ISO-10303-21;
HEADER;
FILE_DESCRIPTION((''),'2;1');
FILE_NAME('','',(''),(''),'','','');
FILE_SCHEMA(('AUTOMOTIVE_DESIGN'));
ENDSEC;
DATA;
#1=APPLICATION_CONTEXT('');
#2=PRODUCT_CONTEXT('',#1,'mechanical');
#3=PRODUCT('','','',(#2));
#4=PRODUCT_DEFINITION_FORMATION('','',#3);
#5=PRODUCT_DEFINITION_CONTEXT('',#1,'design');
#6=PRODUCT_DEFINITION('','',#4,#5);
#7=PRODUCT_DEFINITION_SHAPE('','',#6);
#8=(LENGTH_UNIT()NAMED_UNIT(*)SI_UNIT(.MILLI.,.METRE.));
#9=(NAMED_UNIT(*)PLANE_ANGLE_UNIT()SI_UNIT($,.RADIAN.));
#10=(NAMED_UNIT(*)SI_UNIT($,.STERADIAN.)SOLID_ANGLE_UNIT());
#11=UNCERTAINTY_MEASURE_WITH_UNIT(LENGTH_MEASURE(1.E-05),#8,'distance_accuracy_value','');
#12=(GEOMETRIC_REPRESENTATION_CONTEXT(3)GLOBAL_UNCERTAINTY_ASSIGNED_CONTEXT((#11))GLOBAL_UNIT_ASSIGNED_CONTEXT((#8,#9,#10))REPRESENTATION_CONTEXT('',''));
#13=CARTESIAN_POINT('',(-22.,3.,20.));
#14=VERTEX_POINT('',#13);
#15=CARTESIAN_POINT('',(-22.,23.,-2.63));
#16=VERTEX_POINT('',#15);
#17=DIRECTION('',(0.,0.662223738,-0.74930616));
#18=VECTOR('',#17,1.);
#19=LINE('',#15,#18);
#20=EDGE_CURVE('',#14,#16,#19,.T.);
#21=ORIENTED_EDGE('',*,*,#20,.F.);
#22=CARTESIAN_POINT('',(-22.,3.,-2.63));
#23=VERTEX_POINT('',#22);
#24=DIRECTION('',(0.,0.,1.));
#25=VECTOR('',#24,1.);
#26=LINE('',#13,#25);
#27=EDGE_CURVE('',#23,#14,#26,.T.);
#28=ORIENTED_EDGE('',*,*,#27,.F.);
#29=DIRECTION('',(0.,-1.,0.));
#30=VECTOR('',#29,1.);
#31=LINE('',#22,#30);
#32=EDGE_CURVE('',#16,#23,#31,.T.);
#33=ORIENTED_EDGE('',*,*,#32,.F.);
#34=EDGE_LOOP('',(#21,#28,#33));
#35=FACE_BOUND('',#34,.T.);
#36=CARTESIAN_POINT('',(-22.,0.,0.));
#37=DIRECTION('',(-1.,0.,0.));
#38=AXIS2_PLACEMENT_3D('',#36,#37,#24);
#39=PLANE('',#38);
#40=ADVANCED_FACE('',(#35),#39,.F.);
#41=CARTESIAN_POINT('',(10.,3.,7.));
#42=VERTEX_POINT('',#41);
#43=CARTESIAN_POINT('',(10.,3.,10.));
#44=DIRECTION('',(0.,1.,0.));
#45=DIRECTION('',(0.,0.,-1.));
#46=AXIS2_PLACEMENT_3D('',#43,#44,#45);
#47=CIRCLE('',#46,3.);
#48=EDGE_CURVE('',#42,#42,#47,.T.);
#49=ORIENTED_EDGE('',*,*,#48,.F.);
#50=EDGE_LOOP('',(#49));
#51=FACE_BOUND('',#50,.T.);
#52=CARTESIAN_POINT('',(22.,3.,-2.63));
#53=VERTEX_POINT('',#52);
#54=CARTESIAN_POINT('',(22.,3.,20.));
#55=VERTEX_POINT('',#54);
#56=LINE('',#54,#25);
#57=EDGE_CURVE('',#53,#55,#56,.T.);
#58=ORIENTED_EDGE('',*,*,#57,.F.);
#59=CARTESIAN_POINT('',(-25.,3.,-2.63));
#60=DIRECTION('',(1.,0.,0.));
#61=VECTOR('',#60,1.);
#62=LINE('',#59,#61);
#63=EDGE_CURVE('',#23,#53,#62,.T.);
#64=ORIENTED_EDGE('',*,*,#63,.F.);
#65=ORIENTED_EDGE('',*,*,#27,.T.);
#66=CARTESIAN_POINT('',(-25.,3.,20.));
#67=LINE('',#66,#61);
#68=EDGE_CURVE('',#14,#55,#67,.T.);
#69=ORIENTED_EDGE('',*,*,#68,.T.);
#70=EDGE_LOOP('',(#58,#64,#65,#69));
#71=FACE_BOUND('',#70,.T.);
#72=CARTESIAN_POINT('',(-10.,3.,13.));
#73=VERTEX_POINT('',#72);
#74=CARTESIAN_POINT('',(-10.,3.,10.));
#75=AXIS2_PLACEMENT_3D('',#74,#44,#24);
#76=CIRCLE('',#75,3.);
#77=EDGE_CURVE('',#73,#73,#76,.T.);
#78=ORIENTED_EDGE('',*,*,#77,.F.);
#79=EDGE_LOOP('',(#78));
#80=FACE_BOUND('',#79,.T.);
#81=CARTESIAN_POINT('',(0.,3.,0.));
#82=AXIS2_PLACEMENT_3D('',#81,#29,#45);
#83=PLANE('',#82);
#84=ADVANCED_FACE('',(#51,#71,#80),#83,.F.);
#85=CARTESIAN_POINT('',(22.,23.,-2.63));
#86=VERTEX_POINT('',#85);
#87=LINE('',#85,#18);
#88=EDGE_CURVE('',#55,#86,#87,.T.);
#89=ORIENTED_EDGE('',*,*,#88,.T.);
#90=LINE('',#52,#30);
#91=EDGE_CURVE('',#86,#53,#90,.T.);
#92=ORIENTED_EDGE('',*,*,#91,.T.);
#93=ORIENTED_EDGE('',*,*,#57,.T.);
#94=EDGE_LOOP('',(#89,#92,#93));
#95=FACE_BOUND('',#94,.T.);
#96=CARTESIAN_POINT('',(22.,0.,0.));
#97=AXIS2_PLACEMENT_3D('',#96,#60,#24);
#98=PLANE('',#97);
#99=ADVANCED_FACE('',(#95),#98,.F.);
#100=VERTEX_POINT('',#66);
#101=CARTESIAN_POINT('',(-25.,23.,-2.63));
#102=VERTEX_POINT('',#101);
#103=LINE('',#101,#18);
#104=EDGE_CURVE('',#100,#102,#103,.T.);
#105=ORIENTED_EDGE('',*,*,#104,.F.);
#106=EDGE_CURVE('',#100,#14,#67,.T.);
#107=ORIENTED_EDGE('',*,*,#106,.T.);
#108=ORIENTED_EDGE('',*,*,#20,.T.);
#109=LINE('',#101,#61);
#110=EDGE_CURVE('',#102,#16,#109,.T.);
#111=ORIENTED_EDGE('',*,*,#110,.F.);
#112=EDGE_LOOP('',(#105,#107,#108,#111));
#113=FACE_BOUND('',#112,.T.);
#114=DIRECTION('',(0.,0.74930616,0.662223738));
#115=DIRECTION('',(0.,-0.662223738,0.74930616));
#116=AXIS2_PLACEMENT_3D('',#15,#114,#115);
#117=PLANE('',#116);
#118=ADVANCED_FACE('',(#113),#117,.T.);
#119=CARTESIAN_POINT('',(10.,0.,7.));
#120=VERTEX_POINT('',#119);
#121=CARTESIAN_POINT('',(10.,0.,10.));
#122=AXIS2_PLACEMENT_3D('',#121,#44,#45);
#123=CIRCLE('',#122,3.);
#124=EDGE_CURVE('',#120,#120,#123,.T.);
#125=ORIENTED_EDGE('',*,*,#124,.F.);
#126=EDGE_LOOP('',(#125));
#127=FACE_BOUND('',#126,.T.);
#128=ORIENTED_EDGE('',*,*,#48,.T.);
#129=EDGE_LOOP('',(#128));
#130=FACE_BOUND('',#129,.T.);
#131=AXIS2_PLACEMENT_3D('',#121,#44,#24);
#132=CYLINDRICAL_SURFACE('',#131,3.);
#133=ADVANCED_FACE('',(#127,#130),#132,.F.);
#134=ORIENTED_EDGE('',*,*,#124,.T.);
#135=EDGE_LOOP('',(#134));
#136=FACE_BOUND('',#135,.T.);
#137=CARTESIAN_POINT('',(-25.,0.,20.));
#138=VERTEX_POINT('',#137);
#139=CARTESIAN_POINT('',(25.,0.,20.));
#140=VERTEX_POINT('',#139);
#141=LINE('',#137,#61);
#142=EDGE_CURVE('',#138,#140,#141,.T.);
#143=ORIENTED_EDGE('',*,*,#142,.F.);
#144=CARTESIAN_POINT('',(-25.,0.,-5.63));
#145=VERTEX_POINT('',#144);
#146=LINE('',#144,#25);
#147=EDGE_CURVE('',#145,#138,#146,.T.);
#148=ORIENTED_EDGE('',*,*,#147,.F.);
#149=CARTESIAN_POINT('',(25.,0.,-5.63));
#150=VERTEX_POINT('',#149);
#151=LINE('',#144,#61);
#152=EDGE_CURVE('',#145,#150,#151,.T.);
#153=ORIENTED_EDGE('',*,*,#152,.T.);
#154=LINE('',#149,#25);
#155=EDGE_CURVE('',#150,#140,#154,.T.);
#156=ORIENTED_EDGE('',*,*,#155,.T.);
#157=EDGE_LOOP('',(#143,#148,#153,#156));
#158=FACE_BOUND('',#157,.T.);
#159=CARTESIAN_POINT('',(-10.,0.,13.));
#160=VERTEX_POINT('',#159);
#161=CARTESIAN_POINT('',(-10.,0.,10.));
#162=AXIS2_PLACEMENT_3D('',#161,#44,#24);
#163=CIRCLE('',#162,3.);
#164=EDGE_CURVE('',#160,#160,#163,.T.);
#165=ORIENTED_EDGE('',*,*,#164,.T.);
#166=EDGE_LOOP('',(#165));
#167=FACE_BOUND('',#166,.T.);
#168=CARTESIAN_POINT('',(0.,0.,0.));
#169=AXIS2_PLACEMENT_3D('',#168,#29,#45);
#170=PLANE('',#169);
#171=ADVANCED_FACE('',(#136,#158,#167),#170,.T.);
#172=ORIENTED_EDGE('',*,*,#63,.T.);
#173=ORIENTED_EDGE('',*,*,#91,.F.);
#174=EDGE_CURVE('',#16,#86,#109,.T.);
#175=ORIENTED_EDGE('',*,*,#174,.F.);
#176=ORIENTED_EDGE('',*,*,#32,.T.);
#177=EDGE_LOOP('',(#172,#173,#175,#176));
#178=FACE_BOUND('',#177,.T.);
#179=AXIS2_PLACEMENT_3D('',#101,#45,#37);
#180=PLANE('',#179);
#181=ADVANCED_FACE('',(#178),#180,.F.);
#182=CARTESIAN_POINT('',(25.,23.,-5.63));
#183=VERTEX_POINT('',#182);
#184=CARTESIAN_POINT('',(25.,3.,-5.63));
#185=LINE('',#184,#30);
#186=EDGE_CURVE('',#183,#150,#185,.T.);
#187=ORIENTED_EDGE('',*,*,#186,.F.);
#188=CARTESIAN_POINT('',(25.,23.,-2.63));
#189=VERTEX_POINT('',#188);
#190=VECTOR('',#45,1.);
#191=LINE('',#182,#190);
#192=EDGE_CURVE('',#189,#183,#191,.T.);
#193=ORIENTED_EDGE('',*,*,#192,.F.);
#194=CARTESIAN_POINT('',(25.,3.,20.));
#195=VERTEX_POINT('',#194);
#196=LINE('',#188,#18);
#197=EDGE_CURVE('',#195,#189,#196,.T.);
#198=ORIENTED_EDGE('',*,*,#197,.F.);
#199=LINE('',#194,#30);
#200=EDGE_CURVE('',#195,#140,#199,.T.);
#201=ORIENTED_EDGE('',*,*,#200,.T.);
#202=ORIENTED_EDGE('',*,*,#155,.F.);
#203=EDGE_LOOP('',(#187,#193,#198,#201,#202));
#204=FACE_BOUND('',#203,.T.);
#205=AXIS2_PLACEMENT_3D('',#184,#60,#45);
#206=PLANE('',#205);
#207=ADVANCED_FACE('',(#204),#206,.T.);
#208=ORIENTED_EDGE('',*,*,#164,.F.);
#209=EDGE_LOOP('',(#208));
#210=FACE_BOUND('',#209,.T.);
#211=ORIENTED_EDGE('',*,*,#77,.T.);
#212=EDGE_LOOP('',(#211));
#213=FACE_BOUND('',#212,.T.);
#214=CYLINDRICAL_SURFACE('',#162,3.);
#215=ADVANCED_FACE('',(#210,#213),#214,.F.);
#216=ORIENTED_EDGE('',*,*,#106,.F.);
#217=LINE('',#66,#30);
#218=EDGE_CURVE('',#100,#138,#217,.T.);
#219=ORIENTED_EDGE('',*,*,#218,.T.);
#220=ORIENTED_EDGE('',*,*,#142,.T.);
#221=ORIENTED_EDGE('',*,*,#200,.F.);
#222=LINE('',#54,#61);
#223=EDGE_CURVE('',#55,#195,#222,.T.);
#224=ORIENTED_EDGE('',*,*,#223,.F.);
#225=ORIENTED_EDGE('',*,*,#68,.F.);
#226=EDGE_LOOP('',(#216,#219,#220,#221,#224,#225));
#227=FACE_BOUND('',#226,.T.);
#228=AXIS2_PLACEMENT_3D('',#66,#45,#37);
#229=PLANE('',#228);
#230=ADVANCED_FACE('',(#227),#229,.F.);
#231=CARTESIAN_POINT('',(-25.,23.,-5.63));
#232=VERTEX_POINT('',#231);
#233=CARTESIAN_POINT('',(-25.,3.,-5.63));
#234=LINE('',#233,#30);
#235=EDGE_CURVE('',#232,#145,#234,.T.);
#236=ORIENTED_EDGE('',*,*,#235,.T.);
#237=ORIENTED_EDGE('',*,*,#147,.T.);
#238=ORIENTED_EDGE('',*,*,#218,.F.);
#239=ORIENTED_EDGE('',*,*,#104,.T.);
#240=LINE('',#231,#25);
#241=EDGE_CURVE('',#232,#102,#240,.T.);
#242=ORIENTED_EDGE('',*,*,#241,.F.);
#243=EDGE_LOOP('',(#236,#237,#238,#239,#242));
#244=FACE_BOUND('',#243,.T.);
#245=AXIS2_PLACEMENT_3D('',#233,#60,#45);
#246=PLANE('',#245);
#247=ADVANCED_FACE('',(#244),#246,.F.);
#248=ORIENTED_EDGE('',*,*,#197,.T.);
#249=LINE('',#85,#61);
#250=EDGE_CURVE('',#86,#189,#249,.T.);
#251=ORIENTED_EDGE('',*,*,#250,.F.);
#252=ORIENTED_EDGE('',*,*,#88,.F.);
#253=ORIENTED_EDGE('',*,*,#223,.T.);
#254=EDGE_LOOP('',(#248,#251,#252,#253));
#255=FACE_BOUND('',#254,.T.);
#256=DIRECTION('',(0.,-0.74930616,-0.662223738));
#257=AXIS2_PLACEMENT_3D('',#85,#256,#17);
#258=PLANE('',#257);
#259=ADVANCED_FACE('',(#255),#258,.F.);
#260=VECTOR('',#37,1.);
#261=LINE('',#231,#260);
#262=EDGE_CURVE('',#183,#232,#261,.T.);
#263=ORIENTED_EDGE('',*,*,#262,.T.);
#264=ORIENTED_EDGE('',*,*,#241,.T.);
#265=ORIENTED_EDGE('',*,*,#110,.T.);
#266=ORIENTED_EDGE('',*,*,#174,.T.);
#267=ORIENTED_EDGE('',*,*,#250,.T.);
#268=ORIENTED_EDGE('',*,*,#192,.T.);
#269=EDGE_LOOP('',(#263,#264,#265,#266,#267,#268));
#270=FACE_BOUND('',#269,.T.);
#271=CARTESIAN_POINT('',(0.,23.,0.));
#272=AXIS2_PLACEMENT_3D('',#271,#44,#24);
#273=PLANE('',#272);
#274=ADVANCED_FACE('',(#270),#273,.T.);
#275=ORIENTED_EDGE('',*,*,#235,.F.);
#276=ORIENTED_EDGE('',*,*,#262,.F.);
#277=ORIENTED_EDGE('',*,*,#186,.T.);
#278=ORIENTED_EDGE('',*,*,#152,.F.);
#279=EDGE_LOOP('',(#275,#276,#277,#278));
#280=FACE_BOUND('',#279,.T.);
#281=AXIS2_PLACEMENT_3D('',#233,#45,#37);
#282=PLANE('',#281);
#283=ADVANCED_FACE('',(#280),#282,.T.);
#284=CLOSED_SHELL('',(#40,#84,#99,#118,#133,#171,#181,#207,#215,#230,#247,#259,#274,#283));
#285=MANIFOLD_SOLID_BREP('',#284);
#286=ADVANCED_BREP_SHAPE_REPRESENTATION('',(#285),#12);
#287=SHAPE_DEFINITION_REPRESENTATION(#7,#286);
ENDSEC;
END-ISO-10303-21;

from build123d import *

# Parameters (mm, degrees)
SKETCH_1_W          = 50
SKETCH_1_H          = 25.63
EXTRUDE_1_DEPTH     = 3
SKETCH_2_W          = 50
SKETCH_2_H          = 3
EXTRUDE_2_DEPTH     = 20
EXTRUDE_3_DEPTH     = 3
SKETCH_7_R          = 3
CUT_EXTRUDE_2_DEPTH = 38.749172176


with BuildPart() as part:
    # 草圖1 → 填料-伸長1 (new body)
    with BuildSketch(Plane(origin=(0, 0, 0), x_dir=(1, 0, 0), z_dir=(0, 1, 0))):
        with Locations((0, -7.185)):
            Rectangle(SKETCH_1_W, SKETCH_1_H)
    extrude(amount=EXTRUDE_1_DEPTH)

    # 草圖2 → 填料-伸長2 (add)
    with BuildSketch(Plane(origin=(0, 3, 0), x_dir=(1, 0, 0), z_dir=(0, 1, 0))):
        with Locations((0, 4.13)):
            Rectangle(SKETCH_2_W, SKETCH_2_H)
    extrude(amount=EXTRUDE_2_DEPTH)

    # 草圖6 → 填料-伸長3 (add)
    with BuildSketch(Plane.ZY.offset(25)):
        Polygon((-2.63, 23), (20, 3), (-2.63, 3), align=None)
    extrude_3 = extrude(amount=-EXTRUDE_3_DEPTH)

    # 鏡射1: 填料-伸長3 across plane
    add(extrude_3.mirror(Plane(origin=(0, 0, 0), x_dir=(0, 0, 1), z_dir=(1, 0, 0))))

    # 草圖7 → 除料-伸長2 (cut, through all)
    with BuildSketch(Plane(origin=(0, 3, 0), x_dir=(1, 0, 0), z_dir=(0, 1, 0))):
        with Locations(Location((-10, -10, 0), (0, 0, 270))):
            Circle(SKETCH_7_R)
        with Locations(Location((10, -10, 0), (0, 0, 90))):
            Circle(SKETCH_7_R)
    extrude(amount=-CUT_EXTRUDE_2_DEPTH, mode=Mode.SUBTRACT)


solid = part.part
